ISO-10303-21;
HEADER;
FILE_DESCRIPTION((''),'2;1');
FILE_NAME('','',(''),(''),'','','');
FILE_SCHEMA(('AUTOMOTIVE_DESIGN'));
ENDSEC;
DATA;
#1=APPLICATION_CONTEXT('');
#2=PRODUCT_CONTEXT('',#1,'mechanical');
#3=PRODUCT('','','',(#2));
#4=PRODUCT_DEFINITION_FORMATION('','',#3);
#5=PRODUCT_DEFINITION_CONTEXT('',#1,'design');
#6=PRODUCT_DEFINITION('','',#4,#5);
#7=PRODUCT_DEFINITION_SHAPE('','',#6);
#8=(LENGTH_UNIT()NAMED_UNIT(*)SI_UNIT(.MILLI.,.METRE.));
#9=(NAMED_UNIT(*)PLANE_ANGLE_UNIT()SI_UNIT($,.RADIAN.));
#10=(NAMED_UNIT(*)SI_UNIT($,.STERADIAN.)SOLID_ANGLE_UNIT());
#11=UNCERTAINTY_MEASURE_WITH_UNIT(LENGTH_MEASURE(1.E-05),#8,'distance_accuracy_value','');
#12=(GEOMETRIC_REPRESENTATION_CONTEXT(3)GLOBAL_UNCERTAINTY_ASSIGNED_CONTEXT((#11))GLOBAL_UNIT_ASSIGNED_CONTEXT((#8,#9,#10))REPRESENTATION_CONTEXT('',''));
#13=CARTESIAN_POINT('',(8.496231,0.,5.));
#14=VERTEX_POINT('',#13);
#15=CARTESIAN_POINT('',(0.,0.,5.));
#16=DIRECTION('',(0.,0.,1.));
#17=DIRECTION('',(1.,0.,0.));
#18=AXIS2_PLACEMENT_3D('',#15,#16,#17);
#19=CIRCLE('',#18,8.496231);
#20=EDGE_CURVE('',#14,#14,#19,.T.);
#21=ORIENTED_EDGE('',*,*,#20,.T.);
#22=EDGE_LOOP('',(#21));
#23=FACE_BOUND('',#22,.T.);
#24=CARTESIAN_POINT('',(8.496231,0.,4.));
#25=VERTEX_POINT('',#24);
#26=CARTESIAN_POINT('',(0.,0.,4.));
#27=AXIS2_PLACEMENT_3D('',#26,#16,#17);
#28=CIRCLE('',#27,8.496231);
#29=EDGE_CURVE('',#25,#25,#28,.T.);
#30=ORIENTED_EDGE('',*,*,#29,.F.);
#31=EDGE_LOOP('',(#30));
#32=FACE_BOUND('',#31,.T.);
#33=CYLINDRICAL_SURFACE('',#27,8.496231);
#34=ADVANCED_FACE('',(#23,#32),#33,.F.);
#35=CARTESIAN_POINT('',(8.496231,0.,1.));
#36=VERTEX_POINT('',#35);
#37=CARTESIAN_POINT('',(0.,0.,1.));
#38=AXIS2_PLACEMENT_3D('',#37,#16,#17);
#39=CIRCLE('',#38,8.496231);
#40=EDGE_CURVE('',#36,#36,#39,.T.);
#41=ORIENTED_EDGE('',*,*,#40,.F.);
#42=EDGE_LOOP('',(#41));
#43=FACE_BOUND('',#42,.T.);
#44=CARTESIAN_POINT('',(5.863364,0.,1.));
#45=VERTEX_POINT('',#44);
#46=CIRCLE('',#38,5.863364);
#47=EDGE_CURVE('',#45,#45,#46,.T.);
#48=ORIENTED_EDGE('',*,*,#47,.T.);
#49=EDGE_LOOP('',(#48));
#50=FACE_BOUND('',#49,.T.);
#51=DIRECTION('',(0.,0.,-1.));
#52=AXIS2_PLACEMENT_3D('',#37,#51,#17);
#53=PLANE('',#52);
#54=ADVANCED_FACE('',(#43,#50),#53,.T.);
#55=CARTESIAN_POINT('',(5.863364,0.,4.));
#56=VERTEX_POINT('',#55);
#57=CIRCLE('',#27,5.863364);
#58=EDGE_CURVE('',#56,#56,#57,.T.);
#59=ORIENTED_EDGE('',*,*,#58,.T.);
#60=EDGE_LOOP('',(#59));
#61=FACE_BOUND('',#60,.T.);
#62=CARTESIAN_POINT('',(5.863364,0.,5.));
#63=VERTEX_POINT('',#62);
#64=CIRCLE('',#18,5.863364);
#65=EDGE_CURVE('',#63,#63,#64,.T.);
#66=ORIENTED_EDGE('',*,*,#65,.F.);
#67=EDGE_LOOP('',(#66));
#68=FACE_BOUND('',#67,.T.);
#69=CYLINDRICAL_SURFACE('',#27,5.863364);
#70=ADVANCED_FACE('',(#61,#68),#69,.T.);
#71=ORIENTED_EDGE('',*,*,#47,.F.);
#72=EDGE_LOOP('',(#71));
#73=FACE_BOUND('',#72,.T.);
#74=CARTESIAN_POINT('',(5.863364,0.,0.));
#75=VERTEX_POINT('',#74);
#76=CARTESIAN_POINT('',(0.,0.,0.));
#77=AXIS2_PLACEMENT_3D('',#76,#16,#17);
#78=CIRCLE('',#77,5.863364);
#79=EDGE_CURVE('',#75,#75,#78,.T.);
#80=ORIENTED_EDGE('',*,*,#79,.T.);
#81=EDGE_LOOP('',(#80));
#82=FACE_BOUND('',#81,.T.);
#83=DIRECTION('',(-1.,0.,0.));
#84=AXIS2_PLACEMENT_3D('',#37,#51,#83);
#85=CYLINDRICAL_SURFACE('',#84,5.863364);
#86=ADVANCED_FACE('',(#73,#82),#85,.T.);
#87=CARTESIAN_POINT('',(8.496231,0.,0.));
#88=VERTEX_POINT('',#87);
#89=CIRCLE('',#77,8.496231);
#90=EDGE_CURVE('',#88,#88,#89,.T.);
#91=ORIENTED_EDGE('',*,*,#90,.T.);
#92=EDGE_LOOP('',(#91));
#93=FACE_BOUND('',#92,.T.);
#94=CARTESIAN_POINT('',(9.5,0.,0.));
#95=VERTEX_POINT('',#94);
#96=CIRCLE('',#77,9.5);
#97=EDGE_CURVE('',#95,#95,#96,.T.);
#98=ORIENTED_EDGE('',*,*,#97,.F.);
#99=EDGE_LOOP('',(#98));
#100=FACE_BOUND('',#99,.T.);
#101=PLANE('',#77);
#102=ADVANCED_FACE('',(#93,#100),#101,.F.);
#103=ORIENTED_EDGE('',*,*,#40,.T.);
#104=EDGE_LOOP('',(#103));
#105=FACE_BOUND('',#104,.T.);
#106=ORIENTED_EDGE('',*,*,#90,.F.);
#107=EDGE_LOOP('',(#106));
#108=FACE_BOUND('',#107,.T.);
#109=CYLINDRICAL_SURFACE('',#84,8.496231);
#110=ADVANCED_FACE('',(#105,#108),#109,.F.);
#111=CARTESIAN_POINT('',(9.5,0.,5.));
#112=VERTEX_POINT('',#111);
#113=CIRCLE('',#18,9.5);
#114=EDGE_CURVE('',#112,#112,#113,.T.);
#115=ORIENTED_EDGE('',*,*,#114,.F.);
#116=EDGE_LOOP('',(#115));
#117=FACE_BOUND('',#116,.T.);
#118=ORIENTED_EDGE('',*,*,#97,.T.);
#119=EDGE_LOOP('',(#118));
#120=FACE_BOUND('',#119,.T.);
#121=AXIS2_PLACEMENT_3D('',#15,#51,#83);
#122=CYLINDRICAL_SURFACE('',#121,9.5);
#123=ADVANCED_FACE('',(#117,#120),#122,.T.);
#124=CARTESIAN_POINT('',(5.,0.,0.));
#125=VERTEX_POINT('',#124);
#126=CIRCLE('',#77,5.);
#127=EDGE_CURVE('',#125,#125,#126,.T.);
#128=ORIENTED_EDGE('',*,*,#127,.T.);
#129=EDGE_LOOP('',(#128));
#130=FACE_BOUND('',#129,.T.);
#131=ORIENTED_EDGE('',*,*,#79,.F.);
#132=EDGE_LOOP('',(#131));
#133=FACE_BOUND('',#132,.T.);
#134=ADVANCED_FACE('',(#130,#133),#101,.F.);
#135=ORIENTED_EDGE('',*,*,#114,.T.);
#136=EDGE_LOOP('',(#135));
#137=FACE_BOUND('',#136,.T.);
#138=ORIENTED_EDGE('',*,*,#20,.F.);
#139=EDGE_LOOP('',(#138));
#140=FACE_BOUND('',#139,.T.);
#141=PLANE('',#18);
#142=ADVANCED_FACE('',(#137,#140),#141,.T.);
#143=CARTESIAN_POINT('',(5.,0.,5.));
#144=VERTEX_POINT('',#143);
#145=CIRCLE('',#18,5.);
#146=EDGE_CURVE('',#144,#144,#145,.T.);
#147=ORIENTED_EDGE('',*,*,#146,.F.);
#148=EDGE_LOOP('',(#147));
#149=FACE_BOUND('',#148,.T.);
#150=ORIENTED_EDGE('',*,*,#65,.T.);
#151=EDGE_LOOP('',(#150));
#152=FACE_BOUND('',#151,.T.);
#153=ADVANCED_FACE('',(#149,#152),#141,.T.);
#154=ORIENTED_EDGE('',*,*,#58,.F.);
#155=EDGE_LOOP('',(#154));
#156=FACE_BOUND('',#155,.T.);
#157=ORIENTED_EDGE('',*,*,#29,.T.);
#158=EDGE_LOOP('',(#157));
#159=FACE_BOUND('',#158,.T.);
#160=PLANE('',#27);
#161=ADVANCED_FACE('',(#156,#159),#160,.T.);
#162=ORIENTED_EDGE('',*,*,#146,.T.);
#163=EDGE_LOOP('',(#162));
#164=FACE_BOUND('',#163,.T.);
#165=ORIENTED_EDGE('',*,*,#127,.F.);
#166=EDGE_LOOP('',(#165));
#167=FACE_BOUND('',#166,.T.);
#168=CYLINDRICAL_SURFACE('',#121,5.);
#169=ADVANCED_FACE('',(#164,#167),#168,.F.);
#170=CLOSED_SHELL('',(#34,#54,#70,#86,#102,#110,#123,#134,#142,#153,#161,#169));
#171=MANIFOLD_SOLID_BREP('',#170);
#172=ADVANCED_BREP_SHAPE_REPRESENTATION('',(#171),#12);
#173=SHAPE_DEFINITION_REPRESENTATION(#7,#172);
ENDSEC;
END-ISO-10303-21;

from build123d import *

# Parameters (mm, degrees)
SKETCH_1_R          = 9.5
SKETCH_1_R_2        = 5
EXTRUDE_1_DEPTH     = 5
SKETCH_2_R          = 8.496230793
SKETCH_2_R_2        = 5.863363984
CUT_EXTRUDE_1_DEPTH = 1


with BuildPart() as part:
    # 草图1 → 凸台-拉伸1 (new body)
    with BuildSketch(Plane.XY):
        Circle(SKETCH_1_R)
        Circle(SKETCH_1_R_2, mode=Mode.SUBTRACT)
    extrude(amount=EXTRUDE_1_DEPTH)

    # 草图2 → 切除-拉伸1 (cut)
    with BuildSketch(Plane.XY.offset(5)):
        Circle(SKETCH_2_R)
        Circle(SKETCH_2_R_2, mode=Mode.SUBTRACT)
    cut_extrude_1 = extrude(amount=-CUT_EXTRUDE_1_DEPTH, mode=Mode.SUBTRACT)

    # 镜向2: 切除-拉伸1 across plane
    add(cut_extrude_1.mirror(Plane.XY.offset(2.5)), mode=Mode.SUBTRACT)


solid = part.part
